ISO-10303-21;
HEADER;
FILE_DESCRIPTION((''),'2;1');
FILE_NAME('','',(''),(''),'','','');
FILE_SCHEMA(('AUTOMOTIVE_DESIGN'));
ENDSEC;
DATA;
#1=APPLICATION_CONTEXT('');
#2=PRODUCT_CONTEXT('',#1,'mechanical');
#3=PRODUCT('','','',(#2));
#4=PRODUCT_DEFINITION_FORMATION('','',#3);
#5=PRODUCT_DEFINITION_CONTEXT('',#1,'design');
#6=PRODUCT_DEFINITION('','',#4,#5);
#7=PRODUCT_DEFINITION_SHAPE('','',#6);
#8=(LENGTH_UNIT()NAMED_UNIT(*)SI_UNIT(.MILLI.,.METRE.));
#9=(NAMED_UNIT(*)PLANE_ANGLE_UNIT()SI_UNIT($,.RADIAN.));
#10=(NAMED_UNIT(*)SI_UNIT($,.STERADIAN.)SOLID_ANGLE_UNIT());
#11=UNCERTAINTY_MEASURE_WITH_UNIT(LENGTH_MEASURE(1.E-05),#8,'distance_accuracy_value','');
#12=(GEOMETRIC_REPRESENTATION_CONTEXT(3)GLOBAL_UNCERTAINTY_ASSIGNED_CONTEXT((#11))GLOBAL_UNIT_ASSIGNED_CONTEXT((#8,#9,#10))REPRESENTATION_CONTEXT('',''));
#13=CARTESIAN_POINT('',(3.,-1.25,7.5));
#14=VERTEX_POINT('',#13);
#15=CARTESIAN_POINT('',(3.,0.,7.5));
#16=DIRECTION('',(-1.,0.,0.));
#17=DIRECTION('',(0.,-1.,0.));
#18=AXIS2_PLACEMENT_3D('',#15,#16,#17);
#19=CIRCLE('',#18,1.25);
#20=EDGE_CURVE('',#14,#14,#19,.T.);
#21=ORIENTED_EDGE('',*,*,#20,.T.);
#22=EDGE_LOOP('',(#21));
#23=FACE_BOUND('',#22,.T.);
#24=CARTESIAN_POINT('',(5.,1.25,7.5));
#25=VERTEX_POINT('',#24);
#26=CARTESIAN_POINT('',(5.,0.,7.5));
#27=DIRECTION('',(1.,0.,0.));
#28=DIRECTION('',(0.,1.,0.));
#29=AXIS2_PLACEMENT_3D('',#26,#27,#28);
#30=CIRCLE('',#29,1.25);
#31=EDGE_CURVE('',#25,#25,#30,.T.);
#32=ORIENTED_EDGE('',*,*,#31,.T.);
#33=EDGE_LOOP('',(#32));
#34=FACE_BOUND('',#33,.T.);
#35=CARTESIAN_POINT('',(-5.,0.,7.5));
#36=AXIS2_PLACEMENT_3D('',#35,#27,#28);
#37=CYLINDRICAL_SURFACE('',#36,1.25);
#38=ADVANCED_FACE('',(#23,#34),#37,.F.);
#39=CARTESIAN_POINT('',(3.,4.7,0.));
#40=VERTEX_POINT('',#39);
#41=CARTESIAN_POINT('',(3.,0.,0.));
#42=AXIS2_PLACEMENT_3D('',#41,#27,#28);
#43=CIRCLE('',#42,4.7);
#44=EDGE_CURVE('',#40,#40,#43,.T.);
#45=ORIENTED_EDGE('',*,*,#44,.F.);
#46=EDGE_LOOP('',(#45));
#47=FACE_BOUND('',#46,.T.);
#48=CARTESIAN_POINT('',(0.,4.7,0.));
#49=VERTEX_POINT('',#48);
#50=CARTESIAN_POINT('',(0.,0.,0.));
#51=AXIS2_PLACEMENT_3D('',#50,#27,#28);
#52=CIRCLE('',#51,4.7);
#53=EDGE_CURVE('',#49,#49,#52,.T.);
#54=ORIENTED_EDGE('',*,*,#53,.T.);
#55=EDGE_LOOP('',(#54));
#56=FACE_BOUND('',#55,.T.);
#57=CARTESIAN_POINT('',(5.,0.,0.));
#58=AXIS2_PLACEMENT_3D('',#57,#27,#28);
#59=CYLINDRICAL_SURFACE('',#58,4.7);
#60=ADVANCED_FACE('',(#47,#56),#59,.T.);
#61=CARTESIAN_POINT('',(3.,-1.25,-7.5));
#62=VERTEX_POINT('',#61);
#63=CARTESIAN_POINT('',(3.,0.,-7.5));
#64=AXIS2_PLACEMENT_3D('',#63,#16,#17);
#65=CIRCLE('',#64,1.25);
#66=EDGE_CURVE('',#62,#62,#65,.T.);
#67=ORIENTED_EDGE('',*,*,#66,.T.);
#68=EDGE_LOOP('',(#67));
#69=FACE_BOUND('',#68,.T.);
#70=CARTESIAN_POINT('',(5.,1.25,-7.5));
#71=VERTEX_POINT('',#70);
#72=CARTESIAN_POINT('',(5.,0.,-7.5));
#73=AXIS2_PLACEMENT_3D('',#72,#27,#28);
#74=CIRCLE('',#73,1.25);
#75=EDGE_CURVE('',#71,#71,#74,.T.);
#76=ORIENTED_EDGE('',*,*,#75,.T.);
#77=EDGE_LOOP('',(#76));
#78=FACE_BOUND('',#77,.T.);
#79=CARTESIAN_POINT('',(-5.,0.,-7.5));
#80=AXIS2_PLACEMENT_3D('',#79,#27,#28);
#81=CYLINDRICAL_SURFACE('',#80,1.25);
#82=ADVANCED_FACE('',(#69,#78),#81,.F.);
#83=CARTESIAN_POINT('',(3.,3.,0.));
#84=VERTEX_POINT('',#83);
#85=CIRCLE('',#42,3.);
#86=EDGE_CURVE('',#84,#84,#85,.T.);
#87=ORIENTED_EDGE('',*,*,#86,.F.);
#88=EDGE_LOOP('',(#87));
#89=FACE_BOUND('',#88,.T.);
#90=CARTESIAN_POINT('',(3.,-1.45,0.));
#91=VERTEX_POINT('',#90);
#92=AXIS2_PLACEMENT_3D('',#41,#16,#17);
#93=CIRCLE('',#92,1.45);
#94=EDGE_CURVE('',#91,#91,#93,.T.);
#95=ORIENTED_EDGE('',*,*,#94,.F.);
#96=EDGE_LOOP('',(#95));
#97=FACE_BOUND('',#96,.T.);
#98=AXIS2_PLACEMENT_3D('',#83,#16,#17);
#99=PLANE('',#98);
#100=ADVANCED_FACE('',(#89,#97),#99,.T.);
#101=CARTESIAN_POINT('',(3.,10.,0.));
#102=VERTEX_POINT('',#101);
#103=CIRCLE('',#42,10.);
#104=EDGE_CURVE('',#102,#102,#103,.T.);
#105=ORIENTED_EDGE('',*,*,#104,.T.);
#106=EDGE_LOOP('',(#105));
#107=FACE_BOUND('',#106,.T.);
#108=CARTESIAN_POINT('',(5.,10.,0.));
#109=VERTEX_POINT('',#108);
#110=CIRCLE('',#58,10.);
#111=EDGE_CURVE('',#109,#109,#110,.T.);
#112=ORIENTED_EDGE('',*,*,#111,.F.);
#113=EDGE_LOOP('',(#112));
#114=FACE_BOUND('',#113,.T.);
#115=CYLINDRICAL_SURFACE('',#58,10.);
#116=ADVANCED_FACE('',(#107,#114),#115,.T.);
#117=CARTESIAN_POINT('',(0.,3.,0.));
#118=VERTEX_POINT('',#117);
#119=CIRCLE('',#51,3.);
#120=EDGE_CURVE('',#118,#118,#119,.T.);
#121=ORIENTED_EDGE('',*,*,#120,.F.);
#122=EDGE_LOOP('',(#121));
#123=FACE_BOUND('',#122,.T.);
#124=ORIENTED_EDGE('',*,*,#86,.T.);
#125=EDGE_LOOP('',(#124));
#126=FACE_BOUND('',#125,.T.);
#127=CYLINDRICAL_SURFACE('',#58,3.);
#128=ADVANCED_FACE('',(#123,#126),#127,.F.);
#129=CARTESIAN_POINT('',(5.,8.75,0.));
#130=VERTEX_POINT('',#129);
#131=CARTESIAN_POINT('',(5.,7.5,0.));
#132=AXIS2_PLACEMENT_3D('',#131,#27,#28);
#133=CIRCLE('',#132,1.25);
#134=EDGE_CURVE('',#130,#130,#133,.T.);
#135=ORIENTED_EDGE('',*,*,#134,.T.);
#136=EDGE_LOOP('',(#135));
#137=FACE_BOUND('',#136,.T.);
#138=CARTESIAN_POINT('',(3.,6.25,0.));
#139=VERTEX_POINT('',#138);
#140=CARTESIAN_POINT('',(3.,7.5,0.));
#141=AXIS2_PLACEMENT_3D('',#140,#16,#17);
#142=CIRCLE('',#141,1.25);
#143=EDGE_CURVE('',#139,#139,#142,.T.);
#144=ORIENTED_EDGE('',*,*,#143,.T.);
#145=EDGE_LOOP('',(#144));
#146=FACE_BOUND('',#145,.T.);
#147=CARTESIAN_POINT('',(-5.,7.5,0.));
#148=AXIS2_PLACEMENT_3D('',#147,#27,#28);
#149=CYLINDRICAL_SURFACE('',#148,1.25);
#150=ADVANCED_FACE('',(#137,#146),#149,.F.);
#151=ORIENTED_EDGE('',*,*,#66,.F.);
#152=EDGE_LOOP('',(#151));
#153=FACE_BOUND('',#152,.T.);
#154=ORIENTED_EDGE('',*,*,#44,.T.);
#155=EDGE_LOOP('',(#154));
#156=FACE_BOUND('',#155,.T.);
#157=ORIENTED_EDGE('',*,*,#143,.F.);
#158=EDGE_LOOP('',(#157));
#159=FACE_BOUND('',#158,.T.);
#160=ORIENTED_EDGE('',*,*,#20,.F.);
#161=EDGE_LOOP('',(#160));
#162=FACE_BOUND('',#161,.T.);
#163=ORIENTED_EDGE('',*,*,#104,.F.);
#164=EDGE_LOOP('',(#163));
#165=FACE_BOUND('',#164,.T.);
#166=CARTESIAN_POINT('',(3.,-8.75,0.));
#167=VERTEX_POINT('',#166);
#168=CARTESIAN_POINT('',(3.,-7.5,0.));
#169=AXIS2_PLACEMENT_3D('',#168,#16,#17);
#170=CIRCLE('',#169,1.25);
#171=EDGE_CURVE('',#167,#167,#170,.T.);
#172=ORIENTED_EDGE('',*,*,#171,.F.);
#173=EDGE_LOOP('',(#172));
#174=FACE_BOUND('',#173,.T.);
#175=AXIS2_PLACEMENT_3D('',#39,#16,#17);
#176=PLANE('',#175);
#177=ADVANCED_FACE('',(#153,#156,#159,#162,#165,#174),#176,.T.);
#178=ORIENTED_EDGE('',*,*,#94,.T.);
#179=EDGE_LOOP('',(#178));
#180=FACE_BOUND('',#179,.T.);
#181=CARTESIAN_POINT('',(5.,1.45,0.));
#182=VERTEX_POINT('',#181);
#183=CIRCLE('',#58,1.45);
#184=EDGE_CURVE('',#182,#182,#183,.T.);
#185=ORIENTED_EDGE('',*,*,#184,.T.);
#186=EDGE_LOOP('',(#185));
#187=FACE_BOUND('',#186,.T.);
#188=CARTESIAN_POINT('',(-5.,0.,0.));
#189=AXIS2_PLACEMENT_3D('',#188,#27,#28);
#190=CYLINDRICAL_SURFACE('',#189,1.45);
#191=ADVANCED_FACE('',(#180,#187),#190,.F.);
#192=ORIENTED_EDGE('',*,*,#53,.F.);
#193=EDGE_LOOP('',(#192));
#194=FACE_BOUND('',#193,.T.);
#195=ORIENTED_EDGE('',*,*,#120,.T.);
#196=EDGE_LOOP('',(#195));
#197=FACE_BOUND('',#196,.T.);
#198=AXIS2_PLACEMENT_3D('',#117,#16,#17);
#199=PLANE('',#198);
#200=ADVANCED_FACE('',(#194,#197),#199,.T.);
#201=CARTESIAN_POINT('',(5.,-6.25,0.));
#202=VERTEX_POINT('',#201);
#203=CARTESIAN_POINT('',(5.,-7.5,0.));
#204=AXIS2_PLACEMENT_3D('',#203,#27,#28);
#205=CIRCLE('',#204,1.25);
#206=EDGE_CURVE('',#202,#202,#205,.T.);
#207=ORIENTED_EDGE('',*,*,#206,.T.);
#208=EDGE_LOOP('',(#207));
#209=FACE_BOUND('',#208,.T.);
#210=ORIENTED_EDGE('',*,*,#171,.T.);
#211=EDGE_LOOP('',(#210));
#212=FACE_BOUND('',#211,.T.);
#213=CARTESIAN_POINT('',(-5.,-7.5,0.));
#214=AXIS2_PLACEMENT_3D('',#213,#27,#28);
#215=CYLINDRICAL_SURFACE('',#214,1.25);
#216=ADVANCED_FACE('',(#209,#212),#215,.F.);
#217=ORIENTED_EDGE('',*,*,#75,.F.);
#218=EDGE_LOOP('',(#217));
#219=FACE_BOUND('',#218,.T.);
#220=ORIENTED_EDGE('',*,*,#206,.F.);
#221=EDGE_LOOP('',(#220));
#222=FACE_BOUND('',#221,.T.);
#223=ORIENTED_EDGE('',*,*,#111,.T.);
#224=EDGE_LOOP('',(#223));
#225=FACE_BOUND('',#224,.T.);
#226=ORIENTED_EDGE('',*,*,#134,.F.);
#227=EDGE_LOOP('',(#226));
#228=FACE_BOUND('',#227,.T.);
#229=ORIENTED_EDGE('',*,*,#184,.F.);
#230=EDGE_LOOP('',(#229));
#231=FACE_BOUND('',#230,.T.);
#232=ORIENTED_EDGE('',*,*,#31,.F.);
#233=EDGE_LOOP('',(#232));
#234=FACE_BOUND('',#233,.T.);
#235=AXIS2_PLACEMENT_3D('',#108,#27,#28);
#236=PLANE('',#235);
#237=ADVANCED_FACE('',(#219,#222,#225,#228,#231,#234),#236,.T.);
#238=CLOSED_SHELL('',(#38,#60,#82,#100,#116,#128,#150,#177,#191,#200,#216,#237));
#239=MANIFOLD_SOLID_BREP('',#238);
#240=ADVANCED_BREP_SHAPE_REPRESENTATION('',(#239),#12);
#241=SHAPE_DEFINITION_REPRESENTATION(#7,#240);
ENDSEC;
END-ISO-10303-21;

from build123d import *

# Parameters (mm, degrees)
ESQUISSE2_R             = 1.45
ESQUISSE2_R_2           = 1.25
ENL_V_MAT_EXTRU_1_DEPTH = 10


with BuildPart() as part:
    # Esquisse1 → Révolution1 (revolve)
    with BuildSketch(Plane.XY):
        Polygon((0, 3), (0, 4.7), (3, 4.7), (3, 10), (5, 10), (5, 0), (3, 0), (3, 3), align=None)
    revolve(axis=Axis((5, 0, 0), (-1, 0, 0)))

    # Esquisse2 → Enlèv. mat.-Extru.1 (cut)
    with BuildSketch(Plane(origin=(5, 0, 0), x_dir=(0, 0, -1), z_dir=(1, 0, 0))):
        with Locations(Location((0, 0, 0), (0, 0, 90))):
            Circle(ESQUISSE2_R)
        with Locations(Location((0, 7.5, 0), (0, 0, 90))):
            Circle(ESQUISSE2_R_2)
        with Locations(Location((7.5, 0, 0), (0, 0, 90))):
            Circle(ESQUISSE2_R_2)
        with Locations(Location((0, -7.5, 0), (0, 0, 90))):
            Circle(ESQUISSE2_R_2)
        with Locations(Location((-7.5, 0, 0), (0, 0, 90))):
            Circle(ESQUISSE2_R_2)
    extrude(amount=-ENL_V_MAT_EXTRU_1_DEPTH, mode=Mode.SUBTRACT)


solid = part.part
